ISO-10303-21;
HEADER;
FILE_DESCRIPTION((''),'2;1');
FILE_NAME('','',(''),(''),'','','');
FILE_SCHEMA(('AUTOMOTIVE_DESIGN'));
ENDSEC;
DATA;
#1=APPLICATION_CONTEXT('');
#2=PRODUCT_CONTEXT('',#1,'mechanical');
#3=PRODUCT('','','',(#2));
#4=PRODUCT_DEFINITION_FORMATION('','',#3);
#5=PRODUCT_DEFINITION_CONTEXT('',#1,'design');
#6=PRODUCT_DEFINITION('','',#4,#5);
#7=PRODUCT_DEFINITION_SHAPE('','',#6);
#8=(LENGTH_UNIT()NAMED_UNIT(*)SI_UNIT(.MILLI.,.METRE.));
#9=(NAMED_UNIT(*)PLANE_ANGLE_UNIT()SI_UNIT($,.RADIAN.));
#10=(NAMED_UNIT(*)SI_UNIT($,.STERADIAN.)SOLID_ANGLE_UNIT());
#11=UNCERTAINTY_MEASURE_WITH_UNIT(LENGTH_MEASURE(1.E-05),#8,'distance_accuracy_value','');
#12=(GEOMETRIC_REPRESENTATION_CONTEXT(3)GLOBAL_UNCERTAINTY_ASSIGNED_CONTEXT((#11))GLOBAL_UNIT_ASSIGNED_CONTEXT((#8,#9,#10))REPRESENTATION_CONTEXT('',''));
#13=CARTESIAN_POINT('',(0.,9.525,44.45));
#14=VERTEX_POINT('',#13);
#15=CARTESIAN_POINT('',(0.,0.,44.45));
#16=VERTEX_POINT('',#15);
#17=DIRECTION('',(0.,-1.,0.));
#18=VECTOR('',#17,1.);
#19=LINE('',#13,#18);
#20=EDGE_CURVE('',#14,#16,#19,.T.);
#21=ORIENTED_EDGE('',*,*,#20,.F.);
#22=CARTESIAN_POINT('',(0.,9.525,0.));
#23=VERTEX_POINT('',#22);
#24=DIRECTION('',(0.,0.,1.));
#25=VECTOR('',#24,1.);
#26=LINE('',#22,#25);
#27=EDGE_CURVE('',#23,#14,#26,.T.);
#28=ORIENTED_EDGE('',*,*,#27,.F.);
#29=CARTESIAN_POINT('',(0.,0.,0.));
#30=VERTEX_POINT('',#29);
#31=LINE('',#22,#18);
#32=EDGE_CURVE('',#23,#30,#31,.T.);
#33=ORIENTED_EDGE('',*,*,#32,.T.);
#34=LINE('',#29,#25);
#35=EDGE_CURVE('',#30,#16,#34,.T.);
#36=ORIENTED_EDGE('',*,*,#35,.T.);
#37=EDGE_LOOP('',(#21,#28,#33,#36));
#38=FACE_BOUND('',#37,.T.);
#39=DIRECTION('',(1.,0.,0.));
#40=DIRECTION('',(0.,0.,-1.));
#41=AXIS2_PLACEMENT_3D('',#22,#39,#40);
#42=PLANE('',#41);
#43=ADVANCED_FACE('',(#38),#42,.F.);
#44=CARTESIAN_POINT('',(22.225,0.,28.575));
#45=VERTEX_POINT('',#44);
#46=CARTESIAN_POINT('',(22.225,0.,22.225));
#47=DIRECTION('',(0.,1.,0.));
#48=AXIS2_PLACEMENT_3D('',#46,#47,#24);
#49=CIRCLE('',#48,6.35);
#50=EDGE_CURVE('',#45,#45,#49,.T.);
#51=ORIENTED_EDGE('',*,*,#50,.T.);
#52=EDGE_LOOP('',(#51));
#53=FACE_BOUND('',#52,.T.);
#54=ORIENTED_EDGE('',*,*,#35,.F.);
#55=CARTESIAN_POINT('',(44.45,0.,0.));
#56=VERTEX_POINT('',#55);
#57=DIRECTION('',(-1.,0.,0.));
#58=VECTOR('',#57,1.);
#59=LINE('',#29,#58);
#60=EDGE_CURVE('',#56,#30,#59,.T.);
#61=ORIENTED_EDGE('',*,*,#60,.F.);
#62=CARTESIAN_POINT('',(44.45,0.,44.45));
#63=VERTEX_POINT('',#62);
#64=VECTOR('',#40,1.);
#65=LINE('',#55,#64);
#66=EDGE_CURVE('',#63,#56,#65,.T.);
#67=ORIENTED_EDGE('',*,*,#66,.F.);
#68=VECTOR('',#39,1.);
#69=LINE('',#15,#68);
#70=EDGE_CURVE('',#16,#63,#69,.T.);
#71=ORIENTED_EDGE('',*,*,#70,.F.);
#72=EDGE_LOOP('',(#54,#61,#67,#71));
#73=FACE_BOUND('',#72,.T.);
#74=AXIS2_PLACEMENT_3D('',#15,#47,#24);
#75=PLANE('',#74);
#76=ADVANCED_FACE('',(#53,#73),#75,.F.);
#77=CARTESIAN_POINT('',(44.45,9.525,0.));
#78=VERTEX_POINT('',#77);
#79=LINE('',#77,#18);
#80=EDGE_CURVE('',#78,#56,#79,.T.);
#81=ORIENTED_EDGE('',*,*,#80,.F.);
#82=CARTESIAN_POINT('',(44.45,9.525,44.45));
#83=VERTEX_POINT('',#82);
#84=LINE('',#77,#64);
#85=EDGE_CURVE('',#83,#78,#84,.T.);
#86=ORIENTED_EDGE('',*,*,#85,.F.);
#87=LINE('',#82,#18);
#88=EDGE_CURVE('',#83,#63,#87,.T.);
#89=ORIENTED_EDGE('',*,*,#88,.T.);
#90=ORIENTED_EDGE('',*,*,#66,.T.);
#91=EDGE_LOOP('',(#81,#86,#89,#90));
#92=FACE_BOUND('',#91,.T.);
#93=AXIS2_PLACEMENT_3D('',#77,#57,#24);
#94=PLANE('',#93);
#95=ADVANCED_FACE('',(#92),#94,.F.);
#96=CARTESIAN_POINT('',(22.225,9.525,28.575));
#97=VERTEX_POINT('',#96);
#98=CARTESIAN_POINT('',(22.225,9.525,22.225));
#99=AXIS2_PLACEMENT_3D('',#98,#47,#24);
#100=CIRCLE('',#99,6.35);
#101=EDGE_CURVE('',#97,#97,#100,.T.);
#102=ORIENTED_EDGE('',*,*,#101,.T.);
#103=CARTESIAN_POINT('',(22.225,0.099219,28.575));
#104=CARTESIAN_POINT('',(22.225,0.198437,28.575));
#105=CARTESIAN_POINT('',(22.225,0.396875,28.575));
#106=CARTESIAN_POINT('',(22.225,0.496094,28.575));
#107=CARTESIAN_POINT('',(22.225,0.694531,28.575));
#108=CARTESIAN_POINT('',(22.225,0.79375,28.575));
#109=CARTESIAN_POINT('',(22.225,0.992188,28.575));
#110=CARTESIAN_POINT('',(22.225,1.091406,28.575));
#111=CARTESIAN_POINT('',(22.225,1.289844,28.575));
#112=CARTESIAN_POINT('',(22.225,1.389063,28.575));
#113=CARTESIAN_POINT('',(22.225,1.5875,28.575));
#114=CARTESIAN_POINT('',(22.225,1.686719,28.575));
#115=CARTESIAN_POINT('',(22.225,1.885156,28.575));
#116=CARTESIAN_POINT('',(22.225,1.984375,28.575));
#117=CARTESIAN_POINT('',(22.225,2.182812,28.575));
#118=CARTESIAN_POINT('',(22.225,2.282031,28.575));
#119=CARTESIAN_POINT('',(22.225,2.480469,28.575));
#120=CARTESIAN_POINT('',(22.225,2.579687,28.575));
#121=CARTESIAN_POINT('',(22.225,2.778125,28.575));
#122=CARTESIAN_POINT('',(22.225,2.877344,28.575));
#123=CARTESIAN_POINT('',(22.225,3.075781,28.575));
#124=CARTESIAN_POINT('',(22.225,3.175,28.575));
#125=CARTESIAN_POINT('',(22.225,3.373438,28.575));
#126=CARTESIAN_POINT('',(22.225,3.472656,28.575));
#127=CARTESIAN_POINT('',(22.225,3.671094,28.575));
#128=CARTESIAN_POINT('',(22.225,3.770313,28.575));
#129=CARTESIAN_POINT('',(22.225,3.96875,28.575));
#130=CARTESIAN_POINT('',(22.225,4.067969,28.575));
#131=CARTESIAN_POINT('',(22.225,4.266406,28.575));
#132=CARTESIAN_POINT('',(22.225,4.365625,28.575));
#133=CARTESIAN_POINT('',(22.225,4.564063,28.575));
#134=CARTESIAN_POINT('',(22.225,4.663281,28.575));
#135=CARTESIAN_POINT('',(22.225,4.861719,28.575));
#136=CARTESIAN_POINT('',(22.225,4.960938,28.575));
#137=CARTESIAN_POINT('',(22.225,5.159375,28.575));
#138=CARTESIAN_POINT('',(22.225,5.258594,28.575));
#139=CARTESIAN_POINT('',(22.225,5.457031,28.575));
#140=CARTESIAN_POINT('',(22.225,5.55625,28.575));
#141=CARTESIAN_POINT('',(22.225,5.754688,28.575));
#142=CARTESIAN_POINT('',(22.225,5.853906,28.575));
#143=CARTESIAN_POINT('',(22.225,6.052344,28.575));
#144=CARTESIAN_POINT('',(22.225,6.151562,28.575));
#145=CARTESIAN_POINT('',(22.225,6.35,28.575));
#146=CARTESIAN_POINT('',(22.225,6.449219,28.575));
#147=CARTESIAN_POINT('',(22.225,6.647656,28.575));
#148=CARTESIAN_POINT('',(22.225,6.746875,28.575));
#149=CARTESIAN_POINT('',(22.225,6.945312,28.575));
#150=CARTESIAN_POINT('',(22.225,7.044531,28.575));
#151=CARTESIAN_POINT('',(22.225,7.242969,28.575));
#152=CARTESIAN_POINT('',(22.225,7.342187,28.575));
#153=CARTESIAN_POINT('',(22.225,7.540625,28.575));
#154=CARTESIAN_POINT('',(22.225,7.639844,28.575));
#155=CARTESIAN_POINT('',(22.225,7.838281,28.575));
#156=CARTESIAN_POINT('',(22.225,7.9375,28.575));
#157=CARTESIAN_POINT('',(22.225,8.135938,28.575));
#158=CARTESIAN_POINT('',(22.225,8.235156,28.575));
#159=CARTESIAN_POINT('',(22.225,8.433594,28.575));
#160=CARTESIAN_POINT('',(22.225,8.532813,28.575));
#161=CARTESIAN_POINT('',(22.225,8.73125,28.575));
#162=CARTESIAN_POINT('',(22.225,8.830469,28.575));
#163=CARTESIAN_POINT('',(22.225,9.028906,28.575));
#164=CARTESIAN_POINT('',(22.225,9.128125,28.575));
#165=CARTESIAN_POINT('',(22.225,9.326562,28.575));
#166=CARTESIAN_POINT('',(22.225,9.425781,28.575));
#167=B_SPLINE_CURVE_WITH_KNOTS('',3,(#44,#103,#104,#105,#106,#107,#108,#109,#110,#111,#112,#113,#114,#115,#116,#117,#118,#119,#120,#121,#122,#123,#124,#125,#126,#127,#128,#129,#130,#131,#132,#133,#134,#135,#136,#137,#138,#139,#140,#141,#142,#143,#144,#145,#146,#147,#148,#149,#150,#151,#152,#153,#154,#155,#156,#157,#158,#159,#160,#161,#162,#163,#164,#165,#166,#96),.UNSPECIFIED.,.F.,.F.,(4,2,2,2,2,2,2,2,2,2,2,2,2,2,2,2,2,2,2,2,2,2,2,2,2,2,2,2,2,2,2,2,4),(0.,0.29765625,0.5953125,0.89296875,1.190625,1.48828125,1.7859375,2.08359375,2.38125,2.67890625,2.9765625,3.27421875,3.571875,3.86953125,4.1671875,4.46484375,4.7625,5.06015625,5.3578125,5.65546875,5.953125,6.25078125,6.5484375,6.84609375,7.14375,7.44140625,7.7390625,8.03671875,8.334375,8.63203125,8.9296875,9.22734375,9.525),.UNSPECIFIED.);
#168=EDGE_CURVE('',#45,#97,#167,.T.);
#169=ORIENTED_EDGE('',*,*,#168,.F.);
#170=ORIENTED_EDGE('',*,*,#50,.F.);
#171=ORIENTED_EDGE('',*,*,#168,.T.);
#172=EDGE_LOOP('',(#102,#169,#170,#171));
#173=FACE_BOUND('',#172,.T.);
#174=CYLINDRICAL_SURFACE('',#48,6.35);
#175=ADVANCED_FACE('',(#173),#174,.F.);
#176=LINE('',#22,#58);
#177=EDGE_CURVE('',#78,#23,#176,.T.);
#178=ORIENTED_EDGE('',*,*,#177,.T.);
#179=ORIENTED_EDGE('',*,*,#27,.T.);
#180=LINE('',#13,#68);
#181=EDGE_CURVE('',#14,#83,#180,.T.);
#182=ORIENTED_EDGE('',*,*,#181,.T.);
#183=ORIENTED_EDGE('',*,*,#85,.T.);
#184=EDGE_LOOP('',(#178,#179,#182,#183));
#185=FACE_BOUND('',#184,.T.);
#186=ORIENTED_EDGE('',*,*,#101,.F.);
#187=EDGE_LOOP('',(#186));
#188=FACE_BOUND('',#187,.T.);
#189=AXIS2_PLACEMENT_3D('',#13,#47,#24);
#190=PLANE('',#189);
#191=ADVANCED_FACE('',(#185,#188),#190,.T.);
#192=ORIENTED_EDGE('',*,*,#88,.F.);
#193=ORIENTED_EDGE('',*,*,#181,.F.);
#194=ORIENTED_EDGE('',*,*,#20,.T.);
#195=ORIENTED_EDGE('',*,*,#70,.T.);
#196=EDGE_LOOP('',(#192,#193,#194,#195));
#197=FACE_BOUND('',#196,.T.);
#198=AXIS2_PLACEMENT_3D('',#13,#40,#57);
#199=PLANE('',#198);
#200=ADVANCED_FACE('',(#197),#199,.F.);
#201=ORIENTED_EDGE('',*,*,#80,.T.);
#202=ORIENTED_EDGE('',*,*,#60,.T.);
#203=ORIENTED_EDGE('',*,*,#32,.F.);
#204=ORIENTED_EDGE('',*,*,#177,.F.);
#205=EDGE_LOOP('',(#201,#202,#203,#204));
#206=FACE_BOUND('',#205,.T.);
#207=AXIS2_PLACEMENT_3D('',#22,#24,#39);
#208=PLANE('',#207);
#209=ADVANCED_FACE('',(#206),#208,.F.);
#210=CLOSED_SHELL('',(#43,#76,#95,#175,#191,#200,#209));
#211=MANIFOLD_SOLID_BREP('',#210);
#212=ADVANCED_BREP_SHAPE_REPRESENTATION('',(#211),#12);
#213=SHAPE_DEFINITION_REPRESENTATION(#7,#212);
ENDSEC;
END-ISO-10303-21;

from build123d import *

# Parameters (mm, degrees)
SKETCH1_W          = 44.45
SKETCH1_H          = 44.45
EXTRUDE1_DEPTH     = 9.525
SKETCH3_R          = 6.35
CUT_EXTRUDE1_DEPTH = 9.525


with BuildPart() as part:
    # Sketch1 → Extrude1 (new body)
    with BuildSketch(Plane(origin=(0, 0, 0), x_dir=(1, 0, 0), z_dir=(0, 1, 0))):
        with Locations((22.225, -22.225)):
            Rectangle(SKETCH1_W, SKETCH1_H)
    extrude(amount=EXTRUDE1_DEPTH)

    # Sketch3 → Cut-Extrude1 (cut)
    with BuildSketch(Plane(origin=(0, 9.525, 0), x_dir=(-1, 0, 0), z_dir=(0, 1, 0))):
        with Locations(Location((-22.225, 22.225, 0), (0, 0, 90))):
            Circle(SKETCH3_R)
    extrude(amount=-CUT_EXTRUDE1_DEPTH, mode=Mode.SUBTRACT)


solid = part.part
